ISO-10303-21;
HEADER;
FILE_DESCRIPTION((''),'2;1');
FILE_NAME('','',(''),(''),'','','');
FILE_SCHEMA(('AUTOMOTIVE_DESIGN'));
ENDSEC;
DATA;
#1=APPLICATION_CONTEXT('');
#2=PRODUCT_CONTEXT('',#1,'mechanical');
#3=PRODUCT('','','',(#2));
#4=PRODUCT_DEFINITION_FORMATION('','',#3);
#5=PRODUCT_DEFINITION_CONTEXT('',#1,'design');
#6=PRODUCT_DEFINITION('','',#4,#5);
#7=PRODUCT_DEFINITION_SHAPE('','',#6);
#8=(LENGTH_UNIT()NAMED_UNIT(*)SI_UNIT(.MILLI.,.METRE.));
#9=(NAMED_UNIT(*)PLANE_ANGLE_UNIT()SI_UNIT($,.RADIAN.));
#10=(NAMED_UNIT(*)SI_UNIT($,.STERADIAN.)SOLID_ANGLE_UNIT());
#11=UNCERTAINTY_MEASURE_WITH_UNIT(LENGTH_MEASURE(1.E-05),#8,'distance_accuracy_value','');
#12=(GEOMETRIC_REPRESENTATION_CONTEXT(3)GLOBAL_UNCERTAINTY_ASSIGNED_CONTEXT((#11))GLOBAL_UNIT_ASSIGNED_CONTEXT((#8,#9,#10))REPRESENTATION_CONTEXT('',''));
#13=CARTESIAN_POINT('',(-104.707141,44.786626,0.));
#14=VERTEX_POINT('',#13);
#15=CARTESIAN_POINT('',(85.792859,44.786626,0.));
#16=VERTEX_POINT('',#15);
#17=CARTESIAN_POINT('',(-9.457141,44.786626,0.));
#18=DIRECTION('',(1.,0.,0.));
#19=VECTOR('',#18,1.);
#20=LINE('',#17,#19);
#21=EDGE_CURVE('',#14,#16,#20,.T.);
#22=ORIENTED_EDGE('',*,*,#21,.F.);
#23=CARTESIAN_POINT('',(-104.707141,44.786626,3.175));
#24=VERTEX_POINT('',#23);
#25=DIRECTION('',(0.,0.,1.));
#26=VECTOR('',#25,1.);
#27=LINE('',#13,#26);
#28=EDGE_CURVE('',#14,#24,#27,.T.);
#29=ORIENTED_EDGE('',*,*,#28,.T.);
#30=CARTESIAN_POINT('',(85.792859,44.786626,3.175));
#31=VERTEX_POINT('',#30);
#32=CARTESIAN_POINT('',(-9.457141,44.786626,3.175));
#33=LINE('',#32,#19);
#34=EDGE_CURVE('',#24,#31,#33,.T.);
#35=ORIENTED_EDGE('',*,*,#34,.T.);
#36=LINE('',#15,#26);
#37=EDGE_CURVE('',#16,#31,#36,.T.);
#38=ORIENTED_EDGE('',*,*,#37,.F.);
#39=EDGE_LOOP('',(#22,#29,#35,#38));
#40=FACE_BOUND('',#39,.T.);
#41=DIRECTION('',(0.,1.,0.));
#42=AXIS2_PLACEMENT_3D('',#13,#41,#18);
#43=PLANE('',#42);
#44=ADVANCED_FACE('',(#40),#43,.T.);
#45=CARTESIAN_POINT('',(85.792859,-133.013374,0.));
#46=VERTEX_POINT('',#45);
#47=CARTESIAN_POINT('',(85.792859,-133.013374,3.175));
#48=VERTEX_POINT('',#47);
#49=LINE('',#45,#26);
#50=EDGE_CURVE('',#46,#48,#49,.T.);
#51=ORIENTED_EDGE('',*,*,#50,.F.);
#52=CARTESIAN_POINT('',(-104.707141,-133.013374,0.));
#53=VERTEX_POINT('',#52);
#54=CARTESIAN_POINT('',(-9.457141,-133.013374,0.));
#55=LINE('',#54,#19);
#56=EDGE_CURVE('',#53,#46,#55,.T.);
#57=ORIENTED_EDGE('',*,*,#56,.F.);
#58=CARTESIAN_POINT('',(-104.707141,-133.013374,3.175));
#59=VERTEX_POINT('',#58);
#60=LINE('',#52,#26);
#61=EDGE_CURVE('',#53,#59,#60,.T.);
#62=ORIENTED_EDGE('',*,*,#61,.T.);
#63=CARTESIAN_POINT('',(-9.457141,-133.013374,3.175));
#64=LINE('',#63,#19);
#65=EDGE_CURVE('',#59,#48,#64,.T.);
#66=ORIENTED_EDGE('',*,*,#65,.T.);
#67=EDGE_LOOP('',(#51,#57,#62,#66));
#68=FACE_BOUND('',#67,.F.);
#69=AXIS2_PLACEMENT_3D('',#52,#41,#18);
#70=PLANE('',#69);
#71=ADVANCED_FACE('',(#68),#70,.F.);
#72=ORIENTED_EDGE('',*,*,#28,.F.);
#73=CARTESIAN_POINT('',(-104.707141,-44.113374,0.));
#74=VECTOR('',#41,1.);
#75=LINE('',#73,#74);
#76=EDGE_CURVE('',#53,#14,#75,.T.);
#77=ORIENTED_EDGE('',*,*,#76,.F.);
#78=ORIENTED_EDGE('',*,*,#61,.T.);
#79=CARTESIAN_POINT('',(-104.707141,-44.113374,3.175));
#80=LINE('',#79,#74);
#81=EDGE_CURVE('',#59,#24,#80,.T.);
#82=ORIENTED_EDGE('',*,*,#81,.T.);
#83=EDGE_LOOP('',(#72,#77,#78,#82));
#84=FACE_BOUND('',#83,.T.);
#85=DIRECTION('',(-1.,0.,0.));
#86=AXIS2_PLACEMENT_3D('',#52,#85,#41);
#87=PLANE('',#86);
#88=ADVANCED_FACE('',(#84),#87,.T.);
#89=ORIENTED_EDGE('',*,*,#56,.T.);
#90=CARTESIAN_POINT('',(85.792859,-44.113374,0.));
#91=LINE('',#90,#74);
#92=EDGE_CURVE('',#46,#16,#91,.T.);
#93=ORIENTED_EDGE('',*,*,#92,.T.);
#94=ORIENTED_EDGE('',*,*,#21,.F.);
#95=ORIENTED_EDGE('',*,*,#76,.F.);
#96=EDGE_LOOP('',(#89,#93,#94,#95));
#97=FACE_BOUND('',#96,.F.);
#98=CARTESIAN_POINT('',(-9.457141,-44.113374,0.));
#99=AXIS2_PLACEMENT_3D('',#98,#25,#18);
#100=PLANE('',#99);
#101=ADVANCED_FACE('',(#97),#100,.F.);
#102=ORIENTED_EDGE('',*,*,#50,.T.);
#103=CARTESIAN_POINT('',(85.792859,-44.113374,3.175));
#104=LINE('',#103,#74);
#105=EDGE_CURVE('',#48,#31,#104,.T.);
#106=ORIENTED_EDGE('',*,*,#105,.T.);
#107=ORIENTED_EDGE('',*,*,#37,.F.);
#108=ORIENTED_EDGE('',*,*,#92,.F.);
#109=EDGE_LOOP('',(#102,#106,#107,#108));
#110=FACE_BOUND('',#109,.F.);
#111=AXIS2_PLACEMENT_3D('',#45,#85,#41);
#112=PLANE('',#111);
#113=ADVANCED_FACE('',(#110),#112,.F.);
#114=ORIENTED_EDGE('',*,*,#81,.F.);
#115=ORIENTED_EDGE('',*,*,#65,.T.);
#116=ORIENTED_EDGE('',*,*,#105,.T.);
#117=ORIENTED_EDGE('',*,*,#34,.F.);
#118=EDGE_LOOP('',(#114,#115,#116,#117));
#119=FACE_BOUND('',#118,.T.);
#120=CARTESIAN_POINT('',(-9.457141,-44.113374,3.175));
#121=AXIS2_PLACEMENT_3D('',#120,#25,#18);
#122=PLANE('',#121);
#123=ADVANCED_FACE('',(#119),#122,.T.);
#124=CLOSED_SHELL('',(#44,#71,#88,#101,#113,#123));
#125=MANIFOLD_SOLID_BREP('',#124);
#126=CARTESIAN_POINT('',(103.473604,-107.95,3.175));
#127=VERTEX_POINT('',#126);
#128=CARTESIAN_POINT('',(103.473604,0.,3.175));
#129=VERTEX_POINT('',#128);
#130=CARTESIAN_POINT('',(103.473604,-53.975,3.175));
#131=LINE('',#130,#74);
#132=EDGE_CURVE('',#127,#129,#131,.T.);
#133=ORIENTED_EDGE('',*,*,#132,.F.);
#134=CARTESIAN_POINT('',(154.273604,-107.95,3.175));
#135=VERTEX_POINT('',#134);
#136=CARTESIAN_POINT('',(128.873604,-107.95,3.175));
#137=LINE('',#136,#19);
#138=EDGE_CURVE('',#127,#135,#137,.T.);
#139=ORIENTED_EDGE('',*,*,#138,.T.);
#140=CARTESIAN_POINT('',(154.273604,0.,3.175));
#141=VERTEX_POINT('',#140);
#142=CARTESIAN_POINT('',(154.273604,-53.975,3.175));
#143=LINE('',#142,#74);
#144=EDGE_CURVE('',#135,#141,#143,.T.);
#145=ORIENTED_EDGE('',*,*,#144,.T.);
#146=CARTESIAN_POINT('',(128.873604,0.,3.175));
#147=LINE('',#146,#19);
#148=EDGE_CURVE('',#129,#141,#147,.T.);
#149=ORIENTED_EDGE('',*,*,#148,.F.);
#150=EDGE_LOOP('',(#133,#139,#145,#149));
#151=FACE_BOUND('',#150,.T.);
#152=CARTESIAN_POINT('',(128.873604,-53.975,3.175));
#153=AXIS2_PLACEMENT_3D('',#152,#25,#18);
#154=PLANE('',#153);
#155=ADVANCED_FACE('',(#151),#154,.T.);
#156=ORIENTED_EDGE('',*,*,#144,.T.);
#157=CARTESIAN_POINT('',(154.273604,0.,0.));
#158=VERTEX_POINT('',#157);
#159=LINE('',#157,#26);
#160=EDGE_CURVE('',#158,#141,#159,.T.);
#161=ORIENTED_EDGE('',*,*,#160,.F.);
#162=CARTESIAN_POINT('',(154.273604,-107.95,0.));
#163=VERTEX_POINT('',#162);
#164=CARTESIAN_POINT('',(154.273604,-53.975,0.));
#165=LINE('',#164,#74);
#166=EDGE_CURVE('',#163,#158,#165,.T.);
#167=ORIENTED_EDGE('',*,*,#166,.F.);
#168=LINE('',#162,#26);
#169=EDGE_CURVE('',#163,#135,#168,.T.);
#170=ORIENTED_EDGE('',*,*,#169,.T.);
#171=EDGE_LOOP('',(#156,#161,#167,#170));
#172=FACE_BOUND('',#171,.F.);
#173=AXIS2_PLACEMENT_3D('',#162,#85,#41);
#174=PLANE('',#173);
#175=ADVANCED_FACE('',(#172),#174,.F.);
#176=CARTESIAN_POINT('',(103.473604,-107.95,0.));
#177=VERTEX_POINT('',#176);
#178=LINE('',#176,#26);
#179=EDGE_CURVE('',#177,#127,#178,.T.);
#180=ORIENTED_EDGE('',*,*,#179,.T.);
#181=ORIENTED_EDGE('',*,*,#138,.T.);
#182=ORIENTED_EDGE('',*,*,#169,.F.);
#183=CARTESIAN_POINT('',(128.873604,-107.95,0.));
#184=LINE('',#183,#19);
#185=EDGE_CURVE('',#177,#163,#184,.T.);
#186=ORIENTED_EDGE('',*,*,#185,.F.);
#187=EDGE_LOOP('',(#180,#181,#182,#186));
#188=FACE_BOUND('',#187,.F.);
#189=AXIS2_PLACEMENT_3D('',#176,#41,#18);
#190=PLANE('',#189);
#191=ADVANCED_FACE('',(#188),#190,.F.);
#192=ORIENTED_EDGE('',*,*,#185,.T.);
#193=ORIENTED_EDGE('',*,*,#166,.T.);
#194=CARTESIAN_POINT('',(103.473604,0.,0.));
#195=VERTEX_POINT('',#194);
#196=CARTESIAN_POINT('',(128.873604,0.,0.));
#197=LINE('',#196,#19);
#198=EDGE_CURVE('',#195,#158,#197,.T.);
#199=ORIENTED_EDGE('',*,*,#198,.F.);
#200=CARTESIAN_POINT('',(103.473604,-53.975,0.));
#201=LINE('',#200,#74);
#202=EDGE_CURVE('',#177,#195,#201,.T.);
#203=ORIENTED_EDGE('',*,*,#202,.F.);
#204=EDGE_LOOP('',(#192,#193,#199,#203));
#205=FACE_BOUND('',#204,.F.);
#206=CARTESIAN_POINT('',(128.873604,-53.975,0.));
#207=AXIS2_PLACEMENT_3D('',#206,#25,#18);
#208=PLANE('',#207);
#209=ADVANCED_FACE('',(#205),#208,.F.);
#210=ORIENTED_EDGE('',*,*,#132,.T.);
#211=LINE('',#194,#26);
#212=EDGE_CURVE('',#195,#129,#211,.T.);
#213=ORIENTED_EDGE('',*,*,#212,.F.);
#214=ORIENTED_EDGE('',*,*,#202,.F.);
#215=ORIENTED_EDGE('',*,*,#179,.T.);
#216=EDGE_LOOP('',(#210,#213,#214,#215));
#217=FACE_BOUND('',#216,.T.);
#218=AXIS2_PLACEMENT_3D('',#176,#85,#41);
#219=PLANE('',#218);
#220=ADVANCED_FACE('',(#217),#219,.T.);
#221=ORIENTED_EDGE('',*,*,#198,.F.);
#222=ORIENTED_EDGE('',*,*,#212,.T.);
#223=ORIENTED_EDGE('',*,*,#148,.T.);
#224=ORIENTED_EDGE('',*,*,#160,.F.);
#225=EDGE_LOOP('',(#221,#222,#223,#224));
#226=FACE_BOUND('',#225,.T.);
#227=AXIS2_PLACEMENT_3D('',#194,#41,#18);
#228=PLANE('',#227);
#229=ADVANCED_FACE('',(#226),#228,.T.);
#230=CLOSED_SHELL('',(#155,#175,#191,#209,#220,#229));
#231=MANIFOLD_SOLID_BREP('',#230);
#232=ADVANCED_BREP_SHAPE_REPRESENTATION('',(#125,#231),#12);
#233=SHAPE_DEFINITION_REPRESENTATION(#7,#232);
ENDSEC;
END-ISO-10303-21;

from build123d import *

# Parameters (mm, degrees)
F0_W     = 190.5
F0_H     = 177.8
F0_W_2   = 50.8
F0_H_2   = 107.95
F1_DEPTH = 3.175


with BuildPart() as f1:
    # F0 (on Top) → F1 (new body)
    with BuildSketch(Plane.XY):
        with Locations((-9.457141, -44.113374)):
            Rectangle(F0_W, F0_H)
        with Locations((128.873604, -53.975)):
            Rectangle(F0_W_2, F0_H_2)
    extrude(amount=F1_DEPTH)


solid = f1.part
